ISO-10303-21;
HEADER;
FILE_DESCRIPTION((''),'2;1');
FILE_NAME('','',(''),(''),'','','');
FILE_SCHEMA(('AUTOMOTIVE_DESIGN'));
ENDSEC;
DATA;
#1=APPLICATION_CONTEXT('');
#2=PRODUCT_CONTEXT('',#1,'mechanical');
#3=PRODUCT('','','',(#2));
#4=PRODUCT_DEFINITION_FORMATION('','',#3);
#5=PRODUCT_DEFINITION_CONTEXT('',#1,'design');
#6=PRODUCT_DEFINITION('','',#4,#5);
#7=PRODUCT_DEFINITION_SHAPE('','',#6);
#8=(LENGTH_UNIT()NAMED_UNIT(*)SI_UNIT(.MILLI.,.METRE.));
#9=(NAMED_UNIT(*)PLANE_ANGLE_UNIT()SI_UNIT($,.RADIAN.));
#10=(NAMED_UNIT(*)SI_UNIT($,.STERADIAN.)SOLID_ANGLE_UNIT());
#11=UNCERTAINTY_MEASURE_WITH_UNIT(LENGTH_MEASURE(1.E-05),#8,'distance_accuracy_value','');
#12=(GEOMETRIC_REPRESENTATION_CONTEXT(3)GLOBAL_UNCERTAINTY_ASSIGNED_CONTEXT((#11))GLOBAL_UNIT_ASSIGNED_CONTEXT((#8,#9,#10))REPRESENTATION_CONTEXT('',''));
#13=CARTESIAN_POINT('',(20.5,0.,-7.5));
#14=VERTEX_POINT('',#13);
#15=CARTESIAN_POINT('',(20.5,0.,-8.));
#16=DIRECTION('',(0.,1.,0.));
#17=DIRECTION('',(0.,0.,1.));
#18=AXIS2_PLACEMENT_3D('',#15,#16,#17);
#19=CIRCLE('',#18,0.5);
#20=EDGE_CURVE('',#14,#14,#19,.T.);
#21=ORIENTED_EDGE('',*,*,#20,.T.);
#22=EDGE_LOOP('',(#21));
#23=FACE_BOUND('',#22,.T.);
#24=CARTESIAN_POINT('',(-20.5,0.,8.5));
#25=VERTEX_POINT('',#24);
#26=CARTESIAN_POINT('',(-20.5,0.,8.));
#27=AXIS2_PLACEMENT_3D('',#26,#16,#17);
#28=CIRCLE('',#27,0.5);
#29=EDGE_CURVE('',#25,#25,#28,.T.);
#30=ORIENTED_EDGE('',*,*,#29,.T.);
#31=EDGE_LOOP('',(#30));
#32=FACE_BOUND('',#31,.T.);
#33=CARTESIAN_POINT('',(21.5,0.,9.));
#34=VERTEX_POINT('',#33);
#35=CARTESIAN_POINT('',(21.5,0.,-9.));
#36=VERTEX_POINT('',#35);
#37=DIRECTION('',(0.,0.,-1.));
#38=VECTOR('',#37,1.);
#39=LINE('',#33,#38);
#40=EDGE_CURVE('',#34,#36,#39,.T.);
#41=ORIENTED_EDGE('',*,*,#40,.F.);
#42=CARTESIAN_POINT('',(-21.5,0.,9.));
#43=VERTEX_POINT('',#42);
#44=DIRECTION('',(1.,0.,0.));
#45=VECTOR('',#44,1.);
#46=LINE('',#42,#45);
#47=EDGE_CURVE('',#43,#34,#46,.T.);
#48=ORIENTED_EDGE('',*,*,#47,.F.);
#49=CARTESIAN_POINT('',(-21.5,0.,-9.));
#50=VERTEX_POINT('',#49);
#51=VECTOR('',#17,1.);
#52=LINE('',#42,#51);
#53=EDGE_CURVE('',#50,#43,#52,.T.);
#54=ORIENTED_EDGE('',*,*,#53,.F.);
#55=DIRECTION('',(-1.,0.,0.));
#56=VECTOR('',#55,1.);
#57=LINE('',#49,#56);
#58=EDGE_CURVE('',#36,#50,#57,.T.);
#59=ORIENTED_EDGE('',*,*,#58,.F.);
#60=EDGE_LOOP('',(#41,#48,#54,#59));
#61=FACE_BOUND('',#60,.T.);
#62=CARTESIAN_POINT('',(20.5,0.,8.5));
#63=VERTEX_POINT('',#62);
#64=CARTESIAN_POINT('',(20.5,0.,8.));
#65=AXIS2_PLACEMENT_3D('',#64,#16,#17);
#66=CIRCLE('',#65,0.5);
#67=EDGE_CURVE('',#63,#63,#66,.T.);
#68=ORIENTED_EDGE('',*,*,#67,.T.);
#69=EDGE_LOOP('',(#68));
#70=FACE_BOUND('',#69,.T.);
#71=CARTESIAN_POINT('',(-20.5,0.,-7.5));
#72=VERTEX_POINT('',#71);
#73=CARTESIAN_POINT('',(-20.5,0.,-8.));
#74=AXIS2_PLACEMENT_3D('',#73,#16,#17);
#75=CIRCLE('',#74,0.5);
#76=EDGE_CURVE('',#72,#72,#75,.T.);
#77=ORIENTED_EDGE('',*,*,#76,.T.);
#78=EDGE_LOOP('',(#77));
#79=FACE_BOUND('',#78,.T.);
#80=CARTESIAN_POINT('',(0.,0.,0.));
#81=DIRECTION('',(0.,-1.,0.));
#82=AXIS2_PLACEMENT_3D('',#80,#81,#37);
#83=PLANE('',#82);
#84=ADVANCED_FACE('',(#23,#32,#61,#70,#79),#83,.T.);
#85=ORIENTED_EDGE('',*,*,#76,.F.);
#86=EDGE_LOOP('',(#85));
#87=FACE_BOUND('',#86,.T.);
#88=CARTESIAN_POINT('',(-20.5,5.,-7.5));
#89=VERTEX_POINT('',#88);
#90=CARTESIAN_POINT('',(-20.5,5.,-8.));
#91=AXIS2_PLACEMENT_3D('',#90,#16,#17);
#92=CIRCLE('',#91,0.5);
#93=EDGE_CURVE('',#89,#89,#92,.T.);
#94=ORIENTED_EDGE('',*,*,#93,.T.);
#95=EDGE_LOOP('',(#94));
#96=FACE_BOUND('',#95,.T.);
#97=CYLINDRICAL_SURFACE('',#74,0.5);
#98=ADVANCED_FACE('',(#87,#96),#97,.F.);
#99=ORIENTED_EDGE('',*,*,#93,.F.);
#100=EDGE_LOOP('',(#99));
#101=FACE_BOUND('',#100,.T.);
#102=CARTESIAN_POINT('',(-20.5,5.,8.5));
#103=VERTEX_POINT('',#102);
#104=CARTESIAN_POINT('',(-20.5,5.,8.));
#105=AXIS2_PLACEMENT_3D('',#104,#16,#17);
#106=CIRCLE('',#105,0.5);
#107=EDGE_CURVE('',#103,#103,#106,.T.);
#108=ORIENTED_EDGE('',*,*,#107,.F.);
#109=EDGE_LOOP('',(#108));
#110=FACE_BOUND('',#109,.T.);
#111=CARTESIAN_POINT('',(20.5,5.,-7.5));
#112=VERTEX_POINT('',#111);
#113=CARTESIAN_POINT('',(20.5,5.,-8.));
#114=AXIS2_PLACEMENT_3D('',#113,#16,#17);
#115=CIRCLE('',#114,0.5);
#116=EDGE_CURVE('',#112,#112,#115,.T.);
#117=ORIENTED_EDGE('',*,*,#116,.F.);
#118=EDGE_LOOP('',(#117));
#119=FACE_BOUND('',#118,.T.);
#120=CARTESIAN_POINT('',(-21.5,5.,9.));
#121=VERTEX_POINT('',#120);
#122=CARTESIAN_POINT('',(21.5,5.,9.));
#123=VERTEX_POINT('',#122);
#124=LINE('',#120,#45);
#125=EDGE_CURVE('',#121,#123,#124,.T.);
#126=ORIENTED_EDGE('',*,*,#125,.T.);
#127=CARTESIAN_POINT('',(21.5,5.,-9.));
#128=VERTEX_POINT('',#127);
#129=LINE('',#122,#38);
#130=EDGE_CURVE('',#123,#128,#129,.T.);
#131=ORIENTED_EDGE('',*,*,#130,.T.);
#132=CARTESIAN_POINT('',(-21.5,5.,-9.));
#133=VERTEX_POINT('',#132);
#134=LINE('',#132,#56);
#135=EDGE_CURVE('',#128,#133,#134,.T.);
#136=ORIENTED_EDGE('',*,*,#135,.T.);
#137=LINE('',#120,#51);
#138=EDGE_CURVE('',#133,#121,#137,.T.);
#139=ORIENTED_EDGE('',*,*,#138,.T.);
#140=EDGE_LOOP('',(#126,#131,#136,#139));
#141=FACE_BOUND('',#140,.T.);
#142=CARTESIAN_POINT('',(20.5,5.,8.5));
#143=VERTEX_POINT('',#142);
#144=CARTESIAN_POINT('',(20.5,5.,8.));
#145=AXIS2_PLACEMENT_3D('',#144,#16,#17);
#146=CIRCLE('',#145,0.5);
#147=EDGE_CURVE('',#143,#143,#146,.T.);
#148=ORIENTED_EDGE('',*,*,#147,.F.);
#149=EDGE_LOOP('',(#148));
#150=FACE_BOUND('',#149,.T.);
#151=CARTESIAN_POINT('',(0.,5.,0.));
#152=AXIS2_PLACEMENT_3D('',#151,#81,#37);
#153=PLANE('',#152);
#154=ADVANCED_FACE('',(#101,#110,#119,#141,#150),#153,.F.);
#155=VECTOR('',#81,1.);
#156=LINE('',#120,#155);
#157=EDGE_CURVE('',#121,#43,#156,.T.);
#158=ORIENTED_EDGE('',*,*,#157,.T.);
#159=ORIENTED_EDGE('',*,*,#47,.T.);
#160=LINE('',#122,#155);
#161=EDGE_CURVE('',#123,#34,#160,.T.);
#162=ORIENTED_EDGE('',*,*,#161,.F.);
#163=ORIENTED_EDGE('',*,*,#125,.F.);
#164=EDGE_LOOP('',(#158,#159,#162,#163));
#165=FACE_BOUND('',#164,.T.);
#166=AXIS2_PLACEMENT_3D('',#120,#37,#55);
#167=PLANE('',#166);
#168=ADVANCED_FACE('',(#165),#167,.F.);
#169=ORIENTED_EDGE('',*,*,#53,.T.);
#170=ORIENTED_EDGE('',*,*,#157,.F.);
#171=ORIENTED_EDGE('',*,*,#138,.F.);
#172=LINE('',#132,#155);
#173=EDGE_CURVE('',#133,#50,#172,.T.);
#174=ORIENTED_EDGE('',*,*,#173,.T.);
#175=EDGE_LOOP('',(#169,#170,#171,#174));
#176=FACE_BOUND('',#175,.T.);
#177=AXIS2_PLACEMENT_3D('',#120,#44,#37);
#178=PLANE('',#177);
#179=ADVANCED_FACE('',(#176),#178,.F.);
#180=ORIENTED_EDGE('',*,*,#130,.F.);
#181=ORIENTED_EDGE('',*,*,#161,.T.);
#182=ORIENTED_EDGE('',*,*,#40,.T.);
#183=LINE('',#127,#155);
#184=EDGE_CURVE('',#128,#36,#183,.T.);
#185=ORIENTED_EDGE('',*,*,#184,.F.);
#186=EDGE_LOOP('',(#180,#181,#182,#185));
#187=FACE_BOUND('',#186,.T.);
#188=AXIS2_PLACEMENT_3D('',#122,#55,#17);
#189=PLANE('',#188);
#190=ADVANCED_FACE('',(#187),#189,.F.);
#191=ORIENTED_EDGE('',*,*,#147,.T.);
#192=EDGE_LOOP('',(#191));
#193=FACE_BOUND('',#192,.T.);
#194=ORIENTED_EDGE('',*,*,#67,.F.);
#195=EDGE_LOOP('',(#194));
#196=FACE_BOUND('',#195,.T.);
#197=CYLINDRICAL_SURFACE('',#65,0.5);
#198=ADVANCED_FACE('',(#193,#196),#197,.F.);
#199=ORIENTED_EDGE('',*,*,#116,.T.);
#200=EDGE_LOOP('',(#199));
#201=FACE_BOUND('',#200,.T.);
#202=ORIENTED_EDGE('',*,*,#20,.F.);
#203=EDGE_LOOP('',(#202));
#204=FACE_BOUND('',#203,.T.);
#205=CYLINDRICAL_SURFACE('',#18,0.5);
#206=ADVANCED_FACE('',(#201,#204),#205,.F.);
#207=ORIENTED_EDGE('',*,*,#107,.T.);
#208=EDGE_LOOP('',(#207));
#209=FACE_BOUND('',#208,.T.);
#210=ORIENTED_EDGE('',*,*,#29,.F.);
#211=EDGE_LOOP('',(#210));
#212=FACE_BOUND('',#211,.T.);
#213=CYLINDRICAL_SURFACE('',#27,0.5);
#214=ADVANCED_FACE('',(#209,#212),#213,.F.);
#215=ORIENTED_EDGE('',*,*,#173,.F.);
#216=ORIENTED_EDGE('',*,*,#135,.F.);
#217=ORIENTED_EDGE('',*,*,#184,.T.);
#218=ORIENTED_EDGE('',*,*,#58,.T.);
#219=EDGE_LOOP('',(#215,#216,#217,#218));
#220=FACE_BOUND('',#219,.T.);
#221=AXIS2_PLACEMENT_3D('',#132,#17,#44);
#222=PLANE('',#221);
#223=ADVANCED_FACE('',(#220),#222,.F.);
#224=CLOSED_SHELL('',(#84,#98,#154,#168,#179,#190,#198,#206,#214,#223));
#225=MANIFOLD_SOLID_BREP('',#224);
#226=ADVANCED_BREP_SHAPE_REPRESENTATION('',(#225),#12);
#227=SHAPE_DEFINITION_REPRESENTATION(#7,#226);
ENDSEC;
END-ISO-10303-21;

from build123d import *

# Parameters (mm, degrees)
SCHIZZO1_W                   = 43
SCHIZZO1_H                   = 18
ESTRUSIONE_ESTRUSIONE1_DEPTH = 5
SCHIZZO2_R                   = 0.5
TAGLIO_ESTRUSIONE1_DEPTH     = 5


with BuildPart() as part:
    # Schizzo1 → Estrusione-Estrusione1 (new body)
    with BuildSketch(Plane(origin=(0, 0, 0), x_dir=(1, 0, 0), z_dir=(0, 1, 0))):
        Rectangle(SCHIZZO1_W, SCHIZZO1_H)
    extrude(amount=ESTRUSIONE_ESTRUSIONE1_DEPTH)

    # Schizzo2 → Taglio-Estrusione1 (cut)
    with BuildSketch(Plane(origin=(0, 5, 0), x_dir=(1, 0, 0), z_dir=(0, 1, 0))):
        with Locations(Location((-20.5, 8, 0), (0, 0, 270))):
            Circle(SCHIZZO2_R)
        with Locations(Location((20.5, 8, 0), (0, 0, 270))):
            Circle(SCHIZZO2_R)
        with Locations(Location((20.5, -8, 0), (0, 0, 270))):
            Circle(SCHIZZO2_R)
        with Locations(Location((-20.5, -8, 0), (0, 0, 270))):
            Circle(SCHIZZO2_R)
    extrude(amount=-TAGLIO_ESTRUSIONE1_DEPTH, mode=Mode.SUBTRACT)


solid = part.part
